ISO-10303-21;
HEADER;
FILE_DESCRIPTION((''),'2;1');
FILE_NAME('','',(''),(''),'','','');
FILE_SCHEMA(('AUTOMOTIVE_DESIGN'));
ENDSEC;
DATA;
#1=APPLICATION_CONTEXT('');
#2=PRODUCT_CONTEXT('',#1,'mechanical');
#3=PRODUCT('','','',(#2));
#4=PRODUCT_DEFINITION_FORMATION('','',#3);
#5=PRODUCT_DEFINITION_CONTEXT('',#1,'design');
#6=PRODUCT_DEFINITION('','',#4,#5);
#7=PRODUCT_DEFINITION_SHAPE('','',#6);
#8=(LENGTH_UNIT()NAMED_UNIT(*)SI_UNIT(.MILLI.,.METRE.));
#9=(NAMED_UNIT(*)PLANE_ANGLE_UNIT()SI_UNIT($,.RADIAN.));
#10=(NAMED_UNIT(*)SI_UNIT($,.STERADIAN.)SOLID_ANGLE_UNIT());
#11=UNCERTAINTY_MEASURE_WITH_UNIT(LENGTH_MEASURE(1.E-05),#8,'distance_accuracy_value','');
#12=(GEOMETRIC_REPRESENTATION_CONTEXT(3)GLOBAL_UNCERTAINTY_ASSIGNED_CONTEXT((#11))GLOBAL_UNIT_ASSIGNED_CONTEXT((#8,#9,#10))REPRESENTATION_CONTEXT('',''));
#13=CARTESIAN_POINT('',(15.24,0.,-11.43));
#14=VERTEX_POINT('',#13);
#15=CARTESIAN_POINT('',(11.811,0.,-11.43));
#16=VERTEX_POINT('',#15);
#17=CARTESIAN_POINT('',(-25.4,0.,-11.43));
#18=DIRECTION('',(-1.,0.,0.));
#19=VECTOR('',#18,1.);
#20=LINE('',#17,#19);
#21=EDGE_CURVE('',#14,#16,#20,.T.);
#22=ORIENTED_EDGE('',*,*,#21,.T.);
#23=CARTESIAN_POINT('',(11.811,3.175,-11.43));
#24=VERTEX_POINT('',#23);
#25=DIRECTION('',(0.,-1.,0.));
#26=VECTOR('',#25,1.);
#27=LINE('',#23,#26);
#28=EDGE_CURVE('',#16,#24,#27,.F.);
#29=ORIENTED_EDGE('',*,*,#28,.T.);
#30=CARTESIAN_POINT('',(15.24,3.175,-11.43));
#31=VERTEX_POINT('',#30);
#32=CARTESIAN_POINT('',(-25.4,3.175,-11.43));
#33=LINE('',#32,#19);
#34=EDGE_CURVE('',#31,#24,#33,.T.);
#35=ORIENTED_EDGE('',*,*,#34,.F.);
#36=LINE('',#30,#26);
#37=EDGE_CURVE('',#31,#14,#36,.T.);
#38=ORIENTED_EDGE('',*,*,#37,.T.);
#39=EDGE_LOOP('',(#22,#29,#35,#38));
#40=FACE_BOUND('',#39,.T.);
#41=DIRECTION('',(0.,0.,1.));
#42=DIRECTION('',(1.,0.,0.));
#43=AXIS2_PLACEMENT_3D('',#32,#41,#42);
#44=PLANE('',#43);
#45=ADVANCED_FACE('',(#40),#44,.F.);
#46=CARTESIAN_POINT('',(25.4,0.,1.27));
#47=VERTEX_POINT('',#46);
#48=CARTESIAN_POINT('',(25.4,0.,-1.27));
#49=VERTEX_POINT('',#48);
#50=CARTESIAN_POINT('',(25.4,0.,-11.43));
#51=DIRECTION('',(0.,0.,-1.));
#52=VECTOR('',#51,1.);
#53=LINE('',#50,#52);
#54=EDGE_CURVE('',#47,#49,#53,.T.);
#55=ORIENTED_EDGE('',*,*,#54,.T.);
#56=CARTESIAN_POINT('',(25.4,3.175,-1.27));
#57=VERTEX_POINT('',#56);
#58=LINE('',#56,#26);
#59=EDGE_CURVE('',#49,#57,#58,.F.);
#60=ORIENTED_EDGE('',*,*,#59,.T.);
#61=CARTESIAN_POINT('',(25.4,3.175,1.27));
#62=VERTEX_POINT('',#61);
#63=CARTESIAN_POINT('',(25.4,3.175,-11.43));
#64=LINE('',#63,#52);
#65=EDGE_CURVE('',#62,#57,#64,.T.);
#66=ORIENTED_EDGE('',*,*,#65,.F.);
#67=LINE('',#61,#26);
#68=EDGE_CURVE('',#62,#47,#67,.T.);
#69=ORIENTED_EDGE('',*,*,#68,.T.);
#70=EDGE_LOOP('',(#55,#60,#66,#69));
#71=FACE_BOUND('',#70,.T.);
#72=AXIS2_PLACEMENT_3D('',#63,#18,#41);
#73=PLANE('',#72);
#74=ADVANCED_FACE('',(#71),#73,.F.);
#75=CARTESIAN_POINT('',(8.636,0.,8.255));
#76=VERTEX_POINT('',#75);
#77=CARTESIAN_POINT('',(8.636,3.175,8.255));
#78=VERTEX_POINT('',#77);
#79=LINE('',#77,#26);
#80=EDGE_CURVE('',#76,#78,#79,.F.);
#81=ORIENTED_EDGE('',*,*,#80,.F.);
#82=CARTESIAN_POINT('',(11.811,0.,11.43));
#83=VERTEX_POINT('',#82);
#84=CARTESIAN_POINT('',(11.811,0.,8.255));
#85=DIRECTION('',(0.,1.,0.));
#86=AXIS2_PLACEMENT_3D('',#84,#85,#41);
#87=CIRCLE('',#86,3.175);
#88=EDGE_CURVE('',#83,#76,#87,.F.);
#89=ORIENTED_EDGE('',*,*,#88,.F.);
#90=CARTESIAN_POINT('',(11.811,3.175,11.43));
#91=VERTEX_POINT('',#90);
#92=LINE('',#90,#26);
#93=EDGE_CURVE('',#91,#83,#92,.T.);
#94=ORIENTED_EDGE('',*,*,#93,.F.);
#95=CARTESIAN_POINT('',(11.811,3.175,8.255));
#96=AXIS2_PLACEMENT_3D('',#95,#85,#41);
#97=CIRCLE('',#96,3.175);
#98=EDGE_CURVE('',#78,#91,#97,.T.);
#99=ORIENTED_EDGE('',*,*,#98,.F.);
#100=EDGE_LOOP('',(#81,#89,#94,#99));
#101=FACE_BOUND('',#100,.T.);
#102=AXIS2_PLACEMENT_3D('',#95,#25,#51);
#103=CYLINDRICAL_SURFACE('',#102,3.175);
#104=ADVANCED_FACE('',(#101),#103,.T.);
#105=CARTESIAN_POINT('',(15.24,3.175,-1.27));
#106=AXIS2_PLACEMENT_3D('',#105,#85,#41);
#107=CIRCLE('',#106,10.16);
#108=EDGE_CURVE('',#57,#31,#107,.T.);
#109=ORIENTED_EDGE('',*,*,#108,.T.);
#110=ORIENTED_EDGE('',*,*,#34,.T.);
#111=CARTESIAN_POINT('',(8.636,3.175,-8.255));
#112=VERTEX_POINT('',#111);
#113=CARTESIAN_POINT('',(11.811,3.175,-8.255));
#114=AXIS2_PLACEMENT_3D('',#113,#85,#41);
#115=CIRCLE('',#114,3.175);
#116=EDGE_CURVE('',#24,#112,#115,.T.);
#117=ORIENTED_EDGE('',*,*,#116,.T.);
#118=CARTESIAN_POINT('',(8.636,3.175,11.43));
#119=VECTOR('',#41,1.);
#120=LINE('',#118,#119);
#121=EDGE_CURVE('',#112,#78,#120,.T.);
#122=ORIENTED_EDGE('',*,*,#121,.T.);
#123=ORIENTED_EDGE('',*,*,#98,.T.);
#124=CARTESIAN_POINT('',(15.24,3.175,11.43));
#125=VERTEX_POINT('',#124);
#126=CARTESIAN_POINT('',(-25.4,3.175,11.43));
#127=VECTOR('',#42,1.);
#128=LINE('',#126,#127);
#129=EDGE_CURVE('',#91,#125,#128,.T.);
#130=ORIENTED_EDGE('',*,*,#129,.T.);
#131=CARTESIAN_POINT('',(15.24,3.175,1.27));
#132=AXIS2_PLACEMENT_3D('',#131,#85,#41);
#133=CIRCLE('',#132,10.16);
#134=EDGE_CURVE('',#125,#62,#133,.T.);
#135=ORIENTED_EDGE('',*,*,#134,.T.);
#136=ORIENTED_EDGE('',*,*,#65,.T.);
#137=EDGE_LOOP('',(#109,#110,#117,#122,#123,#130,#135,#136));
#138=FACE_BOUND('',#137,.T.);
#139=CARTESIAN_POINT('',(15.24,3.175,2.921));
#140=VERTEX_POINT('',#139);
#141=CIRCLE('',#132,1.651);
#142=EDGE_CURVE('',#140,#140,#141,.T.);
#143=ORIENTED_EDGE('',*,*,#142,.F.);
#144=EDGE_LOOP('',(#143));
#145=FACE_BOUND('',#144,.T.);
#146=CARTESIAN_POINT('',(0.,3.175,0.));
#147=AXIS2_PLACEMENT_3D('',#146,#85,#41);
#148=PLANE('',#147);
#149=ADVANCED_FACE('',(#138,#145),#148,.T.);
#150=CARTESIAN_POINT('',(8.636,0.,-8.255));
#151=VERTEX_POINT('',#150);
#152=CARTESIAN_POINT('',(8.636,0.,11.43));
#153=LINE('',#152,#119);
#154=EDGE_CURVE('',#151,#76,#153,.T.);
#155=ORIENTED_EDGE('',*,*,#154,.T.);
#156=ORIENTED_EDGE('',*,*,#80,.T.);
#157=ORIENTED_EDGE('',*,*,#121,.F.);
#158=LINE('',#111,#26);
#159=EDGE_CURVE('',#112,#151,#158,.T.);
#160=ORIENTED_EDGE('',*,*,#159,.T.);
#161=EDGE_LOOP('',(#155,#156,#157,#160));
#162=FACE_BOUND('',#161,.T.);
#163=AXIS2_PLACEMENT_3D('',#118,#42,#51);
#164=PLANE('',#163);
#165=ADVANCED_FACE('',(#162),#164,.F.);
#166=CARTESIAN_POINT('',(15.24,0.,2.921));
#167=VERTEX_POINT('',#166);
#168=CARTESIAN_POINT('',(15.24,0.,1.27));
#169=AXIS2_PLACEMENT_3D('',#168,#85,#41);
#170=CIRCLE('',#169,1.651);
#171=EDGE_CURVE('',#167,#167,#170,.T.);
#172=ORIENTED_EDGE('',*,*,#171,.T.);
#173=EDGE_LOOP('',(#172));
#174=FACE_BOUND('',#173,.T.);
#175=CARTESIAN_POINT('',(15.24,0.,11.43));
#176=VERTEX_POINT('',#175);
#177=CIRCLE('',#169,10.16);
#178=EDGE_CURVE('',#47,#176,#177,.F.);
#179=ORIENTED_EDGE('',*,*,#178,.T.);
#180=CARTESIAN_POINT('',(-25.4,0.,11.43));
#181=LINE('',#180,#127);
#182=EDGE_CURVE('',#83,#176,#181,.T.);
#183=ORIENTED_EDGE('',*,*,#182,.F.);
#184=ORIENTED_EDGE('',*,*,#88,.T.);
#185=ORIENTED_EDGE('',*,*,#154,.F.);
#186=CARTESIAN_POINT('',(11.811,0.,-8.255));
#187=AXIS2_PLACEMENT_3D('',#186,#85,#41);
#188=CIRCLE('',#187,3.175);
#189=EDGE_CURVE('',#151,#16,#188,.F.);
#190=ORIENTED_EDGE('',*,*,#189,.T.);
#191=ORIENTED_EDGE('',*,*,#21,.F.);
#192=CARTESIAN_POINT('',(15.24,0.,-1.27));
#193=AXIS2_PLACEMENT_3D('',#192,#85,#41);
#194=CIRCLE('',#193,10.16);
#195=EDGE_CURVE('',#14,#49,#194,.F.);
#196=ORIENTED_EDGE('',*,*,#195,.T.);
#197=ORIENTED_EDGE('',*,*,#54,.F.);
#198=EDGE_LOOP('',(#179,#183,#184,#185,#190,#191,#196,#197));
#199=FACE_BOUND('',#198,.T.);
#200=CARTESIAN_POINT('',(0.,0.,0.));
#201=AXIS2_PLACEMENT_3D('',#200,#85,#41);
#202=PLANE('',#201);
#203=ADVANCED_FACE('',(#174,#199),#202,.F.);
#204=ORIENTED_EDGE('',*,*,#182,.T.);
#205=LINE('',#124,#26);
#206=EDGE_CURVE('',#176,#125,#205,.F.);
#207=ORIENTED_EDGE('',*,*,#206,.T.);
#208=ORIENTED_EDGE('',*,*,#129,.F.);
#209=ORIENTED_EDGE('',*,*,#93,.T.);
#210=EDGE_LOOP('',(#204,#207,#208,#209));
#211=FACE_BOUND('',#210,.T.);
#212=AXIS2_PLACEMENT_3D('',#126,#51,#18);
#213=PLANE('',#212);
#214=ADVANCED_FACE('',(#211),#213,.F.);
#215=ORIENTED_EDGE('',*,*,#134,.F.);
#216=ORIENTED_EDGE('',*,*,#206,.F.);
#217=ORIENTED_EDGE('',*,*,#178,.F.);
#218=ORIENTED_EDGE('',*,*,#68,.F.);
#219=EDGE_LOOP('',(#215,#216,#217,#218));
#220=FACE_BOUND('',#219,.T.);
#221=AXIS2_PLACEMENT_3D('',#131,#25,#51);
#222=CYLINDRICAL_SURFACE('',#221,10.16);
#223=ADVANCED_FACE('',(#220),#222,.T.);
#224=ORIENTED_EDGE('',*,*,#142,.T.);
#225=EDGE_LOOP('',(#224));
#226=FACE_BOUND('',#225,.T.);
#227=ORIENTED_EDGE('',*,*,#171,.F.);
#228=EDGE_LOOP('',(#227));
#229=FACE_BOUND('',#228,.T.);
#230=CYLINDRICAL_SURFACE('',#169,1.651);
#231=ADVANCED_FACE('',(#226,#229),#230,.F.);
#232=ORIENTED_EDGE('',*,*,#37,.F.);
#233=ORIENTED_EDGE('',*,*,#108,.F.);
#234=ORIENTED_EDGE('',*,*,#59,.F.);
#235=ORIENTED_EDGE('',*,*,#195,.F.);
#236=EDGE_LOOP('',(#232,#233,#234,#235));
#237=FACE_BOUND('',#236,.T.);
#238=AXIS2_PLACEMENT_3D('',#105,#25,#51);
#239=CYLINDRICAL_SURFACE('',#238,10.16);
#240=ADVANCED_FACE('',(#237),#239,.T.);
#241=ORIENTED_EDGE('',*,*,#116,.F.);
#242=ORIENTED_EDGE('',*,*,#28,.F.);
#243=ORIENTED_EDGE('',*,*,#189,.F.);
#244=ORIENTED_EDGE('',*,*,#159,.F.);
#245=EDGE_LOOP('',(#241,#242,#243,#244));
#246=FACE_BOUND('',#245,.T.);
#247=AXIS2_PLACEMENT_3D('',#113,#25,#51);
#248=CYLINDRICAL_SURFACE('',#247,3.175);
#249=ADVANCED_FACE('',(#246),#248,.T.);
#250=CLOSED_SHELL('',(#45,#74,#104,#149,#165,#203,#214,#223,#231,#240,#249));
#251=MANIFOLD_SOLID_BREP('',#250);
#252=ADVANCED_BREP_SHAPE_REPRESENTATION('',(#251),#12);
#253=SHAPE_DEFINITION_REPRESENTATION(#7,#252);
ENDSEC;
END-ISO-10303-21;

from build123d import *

# Parameters (mm, degrees)
SKETCH1_W           = 50.8
SKETCH1_H           = 22.86
BOSS_EXTRUDE1_DEPTH = 3.175
FILLET1_R           = 10.16
SKETCH3_R           = 1.651
CUT_EXTRUDE1_DEPTH  = 29.033649869
FILLET3_R           = 10.16
SKETCH4_W           = 34.036
SKETCH4_H           = 22.86
CUT_EXTRUDE2_DEPTH  = 29.033649869
FILLET4_R           = 3.175


with BuildPart() as part:
    # Sketch1 → Boss-Extrude1 (new body)
    with BuildSketch(Plane(origin=(0, 0, 0), x_dir=(1, 0, 0), z_dir=(0, 1, 0))):
        Rectangle(SKETCH1_W, SKETCH1_H)
    extrude(amount=BOSS_EXTRUDE1_DEPTH)

    # Fillet1
    fillet1_edges = [part.edges().sort_by_distance(p)[0] for p in [
        (25.4, 1.5875, 11.43),
        (-25.4, 1.5875, 11.43),
    ]]
    fillet(fillet1_edges, radius=FILLET1_R)

    # Sketch3 → Cut-Extrude1 (cut, through all)
    with BuildSketch(Plane(origin=(0, 3.175, 0), x_dir=(1, 0, 0), z_dir=(0, 1, 0))):
        with Locations(Location((15.24, -1.27, 0), (0, 0, 270))):
            Circle(SKETCH3_R)
        with Locations(Location((-3.81, -1.27, 0), (0, 0, 270))):
            Circle(SKETCH3_R)
    extrude(amount=-CUT_EXTRUDE1_DEPTH, mode=Mode.SUBTRACT)

    # Fillet3
    fillet3_edges = [part.edges().sort_by_distance(p)[0] for p in [
        (-25.4, 1.5875, -11.43),
        (25.4, 1.5875, -11.43),
    ]]
    fillet(fillet3_edges, radius=FILLET3_R)

    # Sketch4 → Cut-Extrude2 (cut, through all)
    with BuildSketch(Plane(origin=(0, 0, 0), x_dir=(-1, 0, 0), z_dir=(0, -1, 0))):
        with Locations((8.382, 0)):
            Rectangle(SKETCH4_W, SKETCH4_H)
    extrude(amount=-CUT_EXTRUDE2_DEPTH, mode=Mode.SUBTRACT)

    # Fillet4
    fillet4_edges = [part.edges().sort_by_distance(p)[0] for p in [
        (8.636, 1.5875, -11.43),
        (8.636, 1.5875, 11.43),
    ]]
    fillet(fillet4_edges, radius=FILLET4_R)


solid = part.part
